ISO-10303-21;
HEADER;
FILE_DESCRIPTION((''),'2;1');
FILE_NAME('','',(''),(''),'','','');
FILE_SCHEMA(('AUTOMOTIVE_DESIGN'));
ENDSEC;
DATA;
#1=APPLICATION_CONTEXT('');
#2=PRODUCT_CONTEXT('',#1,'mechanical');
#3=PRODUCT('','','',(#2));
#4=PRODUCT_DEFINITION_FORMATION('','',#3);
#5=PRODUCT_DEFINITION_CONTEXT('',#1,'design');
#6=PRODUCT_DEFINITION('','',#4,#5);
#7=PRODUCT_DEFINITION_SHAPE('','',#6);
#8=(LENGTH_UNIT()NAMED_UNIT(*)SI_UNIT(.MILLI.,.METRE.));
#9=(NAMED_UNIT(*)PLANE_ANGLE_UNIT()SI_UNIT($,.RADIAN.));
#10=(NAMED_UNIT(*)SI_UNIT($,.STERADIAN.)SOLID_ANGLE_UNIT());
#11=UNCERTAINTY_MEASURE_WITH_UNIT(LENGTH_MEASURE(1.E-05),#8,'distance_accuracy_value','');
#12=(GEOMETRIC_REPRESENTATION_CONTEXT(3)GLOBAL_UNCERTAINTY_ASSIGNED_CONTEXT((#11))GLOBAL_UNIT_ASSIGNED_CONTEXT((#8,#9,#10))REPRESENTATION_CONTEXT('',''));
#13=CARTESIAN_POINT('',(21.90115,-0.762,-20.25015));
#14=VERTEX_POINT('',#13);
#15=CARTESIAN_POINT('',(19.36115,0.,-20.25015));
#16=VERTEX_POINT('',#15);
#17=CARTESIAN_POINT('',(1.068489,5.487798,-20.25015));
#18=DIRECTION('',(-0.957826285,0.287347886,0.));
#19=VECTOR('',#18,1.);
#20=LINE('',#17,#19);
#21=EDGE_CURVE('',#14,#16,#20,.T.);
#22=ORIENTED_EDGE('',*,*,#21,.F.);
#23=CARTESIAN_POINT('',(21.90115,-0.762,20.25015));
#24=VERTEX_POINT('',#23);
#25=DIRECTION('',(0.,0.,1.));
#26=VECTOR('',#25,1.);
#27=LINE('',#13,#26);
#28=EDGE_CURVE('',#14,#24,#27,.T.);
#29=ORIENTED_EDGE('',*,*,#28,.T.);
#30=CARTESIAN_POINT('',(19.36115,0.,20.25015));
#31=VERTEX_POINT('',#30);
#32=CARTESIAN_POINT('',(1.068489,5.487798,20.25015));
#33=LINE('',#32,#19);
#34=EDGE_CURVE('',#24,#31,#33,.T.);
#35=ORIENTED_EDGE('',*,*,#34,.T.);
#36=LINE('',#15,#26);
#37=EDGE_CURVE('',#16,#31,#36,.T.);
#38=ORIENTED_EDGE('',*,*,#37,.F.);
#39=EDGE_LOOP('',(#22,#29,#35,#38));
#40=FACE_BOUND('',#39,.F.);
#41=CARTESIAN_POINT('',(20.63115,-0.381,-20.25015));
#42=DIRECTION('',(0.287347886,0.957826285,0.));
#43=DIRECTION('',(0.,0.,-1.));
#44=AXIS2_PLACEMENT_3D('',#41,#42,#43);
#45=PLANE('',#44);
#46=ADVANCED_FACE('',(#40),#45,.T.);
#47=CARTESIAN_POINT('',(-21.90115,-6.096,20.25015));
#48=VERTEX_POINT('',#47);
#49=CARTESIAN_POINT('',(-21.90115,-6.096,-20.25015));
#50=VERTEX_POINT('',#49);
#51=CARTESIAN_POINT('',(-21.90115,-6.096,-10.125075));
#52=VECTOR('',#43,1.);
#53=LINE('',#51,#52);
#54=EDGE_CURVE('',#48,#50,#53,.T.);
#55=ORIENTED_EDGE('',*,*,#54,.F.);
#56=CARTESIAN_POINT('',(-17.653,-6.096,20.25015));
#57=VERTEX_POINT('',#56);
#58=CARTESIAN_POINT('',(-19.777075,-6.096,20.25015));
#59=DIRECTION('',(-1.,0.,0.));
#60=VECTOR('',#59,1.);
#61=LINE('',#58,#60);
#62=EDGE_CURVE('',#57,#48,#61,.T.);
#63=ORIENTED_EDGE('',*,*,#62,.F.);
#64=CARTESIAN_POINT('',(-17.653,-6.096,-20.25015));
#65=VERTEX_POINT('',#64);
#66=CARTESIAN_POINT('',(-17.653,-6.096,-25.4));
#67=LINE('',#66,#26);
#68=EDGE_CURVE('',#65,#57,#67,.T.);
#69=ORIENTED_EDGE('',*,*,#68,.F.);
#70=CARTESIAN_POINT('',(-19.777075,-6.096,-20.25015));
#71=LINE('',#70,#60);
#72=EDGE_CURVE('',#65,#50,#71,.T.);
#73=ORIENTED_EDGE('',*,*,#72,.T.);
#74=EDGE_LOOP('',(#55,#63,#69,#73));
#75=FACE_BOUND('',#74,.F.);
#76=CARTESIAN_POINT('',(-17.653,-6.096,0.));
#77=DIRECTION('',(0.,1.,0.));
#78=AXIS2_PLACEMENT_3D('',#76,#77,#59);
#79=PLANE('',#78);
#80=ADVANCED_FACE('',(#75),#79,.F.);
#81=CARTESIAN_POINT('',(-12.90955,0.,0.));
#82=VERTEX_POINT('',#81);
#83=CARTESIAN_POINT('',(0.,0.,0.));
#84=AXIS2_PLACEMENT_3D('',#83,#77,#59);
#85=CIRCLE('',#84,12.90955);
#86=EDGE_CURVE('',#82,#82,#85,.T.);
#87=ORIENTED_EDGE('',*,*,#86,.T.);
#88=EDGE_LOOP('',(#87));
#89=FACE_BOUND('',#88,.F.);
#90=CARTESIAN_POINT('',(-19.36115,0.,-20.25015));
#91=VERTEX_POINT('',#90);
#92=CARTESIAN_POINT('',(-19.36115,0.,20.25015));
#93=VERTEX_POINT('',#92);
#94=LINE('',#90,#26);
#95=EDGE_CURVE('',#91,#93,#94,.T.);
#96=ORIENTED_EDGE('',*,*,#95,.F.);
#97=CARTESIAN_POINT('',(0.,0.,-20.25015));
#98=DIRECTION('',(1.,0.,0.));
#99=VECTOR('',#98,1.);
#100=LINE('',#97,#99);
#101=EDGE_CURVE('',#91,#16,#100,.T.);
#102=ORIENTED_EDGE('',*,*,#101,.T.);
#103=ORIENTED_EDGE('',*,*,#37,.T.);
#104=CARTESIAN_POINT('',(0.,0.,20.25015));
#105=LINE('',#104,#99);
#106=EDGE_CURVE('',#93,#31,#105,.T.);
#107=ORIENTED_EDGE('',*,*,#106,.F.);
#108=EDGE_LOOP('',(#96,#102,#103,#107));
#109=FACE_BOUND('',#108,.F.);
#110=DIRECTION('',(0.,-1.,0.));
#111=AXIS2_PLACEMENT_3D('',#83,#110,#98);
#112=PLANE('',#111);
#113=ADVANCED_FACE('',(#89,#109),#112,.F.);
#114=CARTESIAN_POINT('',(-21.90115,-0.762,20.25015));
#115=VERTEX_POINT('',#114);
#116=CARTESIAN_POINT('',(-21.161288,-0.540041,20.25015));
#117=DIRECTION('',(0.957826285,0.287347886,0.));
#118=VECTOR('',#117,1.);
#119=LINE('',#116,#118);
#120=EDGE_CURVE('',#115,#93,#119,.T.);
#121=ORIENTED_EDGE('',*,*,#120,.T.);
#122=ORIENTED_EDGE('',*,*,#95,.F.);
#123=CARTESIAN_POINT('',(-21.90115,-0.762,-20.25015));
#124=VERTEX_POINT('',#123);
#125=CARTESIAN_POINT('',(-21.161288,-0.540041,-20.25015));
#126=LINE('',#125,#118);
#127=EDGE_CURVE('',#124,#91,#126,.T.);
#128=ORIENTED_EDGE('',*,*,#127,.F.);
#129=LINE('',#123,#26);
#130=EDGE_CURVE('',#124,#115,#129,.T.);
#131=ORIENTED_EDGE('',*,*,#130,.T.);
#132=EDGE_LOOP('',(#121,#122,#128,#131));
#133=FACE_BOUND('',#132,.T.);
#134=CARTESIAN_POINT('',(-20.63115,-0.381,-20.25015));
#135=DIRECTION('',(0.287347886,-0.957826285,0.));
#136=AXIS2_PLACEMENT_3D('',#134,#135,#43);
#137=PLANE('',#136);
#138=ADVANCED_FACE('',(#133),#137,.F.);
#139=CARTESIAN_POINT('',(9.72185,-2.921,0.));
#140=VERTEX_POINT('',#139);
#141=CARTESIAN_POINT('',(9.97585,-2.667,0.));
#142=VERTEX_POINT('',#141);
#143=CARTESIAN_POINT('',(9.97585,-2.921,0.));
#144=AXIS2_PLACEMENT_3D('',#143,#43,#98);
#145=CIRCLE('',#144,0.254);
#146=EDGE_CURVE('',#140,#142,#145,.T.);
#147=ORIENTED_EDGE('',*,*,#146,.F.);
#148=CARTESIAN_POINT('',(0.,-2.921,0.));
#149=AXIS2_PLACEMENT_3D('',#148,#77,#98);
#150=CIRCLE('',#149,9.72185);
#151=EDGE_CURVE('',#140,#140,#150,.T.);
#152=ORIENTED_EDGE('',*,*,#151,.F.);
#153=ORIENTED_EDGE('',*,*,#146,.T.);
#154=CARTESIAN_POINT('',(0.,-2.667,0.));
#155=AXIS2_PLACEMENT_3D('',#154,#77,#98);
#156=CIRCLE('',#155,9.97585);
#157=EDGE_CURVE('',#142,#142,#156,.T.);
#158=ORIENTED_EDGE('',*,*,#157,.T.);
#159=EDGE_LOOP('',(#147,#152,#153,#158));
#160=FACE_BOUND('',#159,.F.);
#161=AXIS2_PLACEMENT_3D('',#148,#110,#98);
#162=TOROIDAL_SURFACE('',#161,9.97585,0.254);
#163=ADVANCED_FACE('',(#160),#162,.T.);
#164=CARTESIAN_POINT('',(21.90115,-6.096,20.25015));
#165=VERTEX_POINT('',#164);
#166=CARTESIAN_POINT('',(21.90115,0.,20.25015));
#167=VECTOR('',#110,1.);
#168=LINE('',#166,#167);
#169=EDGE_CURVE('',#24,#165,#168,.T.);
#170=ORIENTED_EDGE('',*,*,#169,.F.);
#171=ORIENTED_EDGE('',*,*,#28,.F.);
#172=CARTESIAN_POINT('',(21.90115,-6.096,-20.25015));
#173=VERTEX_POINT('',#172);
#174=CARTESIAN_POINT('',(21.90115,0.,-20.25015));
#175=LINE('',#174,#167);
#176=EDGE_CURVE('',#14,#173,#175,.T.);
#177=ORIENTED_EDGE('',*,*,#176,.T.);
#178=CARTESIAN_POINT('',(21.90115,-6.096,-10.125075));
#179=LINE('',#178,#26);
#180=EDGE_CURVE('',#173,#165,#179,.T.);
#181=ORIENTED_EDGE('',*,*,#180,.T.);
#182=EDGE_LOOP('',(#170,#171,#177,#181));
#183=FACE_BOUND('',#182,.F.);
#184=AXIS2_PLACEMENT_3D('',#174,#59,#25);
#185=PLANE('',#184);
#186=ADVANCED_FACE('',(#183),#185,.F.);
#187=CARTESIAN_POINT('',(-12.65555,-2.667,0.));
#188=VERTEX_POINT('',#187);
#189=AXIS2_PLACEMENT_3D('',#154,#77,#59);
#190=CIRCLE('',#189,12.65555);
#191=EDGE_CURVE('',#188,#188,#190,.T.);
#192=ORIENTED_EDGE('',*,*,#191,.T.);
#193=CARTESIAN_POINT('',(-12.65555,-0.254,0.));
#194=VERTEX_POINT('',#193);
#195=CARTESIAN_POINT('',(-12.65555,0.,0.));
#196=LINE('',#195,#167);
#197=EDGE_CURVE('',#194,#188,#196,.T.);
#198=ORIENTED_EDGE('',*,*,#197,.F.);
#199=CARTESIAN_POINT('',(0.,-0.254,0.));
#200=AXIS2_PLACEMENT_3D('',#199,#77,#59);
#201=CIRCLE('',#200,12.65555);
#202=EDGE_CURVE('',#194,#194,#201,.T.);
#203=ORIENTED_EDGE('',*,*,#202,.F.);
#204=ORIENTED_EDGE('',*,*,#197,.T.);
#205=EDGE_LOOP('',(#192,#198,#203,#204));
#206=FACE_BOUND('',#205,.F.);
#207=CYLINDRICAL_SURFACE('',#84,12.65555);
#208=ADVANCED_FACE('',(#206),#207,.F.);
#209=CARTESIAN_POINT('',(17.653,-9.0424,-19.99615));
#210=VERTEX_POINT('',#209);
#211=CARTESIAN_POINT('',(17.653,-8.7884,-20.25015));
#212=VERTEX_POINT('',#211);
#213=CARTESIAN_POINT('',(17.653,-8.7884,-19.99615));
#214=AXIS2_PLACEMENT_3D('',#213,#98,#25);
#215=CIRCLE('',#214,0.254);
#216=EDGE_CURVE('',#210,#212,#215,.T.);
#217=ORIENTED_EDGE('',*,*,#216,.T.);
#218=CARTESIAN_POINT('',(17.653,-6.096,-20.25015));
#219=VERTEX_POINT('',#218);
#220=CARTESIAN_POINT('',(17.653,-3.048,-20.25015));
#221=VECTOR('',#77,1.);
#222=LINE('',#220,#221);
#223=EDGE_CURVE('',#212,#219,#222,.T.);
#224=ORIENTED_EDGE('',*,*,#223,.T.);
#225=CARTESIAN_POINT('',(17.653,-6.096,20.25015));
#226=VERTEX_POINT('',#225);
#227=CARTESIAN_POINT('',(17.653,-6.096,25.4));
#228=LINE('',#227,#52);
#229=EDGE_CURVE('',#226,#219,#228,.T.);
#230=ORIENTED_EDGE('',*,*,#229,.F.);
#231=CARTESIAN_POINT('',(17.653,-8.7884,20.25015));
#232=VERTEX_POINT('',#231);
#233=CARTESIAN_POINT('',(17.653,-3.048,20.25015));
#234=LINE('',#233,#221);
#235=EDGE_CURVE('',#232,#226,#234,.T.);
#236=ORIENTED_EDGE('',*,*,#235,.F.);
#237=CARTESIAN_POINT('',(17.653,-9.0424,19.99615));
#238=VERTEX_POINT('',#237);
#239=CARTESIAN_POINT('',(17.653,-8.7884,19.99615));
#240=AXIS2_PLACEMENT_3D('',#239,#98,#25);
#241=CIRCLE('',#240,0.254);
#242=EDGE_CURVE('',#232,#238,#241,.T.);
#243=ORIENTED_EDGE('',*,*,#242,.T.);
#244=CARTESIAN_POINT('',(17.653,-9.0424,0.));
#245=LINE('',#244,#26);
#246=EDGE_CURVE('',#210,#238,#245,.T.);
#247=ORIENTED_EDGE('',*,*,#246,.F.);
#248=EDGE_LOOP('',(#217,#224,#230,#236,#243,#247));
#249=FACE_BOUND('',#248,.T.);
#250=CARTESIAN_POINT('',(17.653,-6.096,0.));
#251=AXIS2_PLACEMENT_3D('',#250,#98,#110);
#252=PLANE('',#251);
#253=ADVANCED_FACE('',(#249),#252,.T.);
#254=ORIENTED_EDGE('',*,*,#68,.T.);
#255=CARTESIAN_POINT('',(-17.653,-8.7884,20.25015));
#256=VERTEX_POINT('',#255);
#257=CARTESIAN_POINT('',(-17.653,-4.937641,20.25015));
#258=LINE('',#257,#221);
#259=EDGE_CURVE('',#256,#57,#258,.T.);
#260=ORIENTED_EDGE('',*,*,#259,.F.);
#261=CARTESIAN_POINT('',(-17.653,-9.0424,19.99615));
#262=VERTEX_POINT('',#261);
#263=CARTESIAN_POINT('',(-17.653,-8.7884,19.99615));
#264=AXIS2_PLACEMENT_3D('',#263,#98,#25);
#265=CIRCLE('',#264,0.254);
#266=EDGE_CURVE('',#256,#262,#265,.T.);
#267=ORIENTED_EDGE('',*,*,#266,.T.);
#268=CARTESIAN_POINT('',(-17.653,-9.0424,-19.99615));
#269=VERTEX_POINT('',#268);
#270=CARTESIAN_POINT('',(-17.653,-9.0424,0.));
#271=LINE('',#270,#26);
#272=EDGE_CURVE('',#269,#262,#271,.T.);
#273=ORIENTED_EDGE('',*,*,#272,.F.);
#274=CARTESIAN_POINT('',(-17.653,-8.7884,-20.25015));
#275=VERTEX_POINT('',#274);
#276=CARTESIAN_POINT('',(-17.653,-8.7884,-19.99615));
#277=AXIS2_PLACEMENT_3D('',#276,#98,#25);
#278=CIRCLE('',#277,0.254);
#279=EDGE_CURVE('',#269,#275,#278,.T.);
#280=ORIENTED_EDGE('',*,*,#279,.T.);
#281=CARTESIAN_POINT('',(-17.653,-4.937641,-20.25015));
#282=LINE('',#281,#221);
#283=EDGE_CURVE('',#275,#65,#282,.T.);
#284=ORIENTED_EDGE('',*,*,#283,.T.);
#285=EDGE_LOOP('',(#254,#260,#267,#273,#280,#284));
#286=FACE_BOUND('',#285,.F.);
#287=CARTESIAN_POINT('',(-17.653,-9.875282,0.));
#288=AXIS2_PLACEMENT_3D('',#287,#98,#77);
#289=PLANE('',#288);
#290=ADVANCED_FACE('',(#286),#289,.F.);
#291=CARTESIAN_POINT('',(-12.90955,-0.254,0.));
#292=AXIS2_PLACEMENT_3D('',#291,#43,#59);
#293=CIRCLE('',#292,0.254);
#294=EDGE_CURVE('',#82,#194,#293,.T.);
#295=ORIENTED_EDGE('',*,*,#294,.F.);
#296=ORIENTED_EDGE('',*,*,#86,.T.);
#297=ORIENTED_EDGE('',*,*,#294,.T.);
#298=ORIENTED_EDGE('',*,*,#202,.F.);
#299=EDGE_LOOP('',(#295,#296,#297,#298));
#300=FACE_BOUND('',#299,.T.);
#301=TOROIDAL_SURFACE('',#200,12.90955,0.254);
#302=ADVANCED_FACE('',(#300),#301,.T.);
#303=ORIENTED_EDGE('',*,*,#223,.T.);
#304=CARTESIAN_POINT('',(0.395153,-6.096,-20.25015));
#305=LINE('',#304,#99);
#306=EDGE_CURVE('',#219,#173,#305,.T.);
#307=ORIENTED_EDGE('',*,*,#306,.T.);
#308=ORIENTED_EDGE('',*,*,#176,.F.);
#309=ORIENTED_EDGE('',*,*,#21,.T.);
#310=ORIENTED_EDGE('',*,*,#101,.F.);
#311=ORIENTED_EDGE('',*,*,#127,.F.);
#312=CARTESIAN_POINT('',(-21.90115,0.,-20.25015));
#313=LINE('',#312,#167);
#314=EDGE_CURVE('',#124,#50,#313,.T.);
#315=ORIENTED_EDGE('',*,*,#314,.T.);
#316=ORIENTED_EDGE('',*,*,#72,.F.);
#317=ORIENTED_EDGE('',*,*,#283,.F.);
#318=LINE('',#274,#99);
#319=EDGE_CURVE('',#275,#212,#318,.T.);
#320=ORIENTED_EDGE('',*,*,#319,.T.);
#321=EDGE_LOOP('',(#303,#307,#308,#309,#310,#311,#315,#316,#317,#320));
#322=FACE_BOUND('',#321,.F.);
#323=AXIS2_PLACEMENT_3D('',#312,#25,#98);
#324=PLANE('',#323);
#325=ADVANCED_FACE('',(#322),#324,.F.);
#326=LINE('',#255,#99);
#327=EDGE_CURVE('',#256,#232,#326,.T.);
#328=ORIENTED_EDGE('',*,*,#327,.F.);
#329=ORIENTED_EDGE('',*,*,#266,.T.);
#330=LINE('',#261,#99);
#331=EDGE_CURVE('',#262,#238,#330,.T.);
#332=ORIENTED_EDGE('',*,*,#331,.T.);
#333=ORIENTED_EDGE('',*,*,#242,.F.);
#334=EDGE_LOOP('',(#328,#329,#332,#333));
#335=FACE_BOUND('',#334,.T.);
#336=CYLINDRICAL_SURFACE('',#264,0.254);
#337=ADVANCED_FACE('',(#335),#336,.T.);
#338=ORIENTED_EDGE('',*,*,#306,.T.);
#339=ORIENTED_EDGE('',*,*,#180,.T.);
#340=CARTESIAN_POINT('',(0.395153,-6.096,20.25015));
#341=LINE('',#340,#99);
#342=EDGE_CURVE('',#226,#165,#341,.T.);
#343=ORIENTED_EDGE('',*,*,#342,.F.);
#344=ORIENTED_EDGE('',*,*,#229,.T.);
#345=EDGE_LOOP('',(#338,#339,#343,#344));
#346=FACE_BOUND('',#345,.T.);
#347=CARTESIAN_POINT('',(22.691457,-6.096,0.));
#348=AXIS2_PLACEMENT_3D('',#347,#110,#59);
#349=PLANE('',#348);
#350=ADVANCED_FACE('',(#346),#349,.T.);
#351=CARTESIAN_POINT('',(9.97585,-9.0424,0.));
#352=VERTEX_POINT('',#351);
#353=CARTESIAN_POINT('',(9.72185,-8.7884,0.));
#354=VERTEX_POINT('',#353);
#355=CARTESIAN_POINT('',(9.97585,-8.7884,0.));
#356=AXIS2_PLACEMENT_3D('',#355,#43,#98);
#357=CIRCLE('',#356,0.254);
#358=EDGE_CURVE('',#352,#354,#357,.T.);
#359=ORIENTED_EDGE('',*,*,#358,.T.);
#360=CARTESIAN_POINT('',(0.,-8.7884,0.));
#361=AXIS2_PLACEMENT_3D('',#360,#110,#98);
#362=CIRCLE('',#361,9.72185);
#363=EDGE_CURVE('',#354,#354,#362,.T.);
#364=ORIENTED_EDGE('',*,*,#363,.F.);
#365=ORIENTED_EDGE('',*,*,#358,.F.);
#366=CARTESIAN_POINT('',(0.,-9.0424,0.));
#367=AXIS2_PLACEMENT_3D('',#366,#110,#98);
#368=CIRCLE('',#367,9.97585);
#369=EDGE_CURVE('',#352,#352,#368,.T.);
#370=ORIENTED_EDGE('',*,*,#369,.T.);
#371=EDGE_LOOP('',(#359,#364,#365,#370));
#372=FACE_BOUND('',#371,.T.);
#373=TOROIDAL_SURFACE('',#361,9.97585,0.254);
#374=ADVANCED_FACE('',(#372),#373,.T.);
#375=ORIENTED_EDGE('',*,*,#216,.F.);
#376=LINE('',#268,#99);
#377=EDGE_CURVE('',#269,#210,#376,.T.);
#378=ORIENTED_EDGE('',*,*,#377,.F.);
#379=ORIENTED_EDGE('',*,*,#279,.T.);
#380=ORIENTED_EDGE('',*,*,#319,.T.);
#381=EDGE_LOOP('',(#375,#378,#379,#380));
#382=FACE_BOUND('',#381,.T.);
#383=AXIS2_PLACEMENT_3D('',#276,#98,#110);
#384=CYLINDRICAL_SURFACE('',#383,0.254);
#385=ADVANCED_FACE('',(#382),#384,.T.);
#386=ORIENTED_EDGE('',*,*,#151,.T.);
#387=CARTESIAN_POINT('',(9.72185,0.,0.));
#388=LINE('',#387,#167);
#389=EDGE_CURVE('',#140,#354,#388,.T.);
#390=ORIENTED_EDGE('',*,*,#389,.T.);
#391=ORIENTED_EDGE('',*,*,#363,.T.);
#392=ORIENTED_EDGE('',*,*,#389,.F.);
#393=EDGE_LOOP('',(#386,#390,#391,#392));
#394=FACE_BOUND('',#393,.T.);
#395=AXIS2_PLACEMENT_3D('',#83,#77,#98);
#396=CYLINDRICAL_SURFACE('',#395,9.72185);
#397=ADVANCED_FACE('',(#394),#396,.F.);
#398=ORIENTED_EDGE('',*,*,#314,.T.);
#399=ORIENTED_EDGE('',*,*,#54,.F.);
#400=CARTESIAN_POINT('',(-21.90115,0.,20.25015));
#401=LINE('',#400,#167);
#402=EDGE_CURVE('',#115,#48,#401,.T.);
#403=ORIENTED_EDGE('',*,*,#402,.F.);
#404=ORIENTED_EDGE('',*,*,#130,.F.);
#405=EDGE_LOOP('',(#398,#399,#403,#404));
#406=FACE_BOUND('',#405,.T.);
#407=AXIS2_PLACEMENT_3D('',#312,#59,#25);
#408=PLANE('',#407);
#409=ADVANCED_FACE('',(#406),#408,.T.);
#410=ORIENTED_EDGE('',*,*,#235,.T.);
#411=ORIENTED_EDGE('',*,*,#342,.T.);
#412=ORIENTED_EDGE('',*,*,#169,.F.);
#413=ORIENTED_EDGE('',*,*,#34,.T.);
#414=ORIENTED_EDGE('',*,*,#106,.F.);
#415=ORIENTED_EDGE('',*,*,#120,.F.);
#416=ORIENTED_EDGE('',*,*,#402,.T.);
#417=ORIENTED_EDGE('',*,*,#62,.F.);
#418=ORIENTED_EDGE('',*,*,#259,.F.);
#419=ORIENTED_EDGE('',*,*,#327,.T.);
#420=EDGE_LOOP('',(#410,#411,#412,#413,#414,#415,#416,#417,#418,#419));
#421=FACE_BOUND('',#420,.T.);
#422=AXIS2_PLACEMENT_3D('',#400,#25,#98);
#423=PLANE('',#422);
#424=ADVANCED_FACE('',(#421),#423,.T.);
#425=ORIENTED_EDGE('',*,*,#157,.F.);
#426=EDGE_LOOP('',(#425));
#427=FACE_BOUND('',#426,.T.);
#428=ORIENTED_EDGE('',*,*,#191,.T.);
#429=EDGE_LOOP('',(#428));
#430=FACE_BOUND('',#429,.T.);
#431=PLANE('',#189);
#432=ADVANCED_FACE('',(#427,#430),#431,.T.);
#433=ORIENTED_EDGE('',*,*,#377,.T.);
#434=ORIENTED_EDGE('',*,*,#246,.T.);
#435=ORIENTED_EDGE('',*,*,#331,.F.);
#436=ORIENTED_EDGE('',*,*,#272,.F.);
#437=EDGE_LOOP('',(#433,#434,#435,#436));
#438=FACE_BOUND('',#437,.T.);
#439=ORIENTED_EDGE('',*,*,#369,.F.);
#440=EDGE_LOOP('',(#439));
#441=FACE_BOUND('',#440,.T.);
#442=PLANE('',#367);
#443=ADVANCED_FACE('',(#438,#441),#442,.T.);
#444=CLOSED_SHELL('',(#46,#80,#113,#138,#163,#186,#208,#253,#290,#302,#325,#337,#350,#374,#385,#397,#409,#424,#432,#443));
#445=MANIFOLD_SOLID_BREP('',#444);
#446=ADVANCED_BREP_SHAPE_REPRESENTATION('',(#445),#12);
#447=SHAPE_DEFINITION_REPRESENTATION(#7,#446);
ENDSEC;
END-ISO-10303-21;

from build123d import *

# Parameters (mm, degrees)
F0_W       = 43.8023
F0_H       = 40.5003
F0_R       = 9.72185
F1_DEPTH   = 9.0424
F3_DEPTH   = 25.4
F4_SIZE2   = 2.54
F4_SIZE    = 0.762
F4_2_SIZE2 = 2.54
F4_2_SIZE  = 0.762
F5_R       = 12.65555
F6_DEPTH   = 2.667
F7_R       = 0.254


with BuildPart() as f1:
    # F0 (on Front) → F1 (new body)
    with BuildSketch(Plane.XZ):
        Rectangle(F0_W, F0_H)
        Circle(F0_R, mode=Mode.SUBTRACT)
    extrude(amount=F1_DEPTH)

    # F2 (on Top) → F3 (cut, symmetric)
    with BuildSketch(Plane.XY):
        Polygon((17.653, -6.096), (17.653, -9.144), (17.653, -9.8752817139), (22.691456601, -9.8752817139), (22.691456601, -6.096), align=None)
        Polygon((-17.653, -9.8752817139), (-17.653, -9.144), (-17.653, -6.096), (-22.691456601, -6.096), (-22.691456601, -9.8752817139), align=None)
    extrude(amount=F3_DEPTH, both=True, mode=Mode.SUBTRACT)

    # F4
    f4_edges = [f1.edges().sort_by_distance(p)[0] for p in [
        (-21.90115, 0, 0),
    ]]
    f4_side = f1.faces().sort_by_distance((-21.90115, -3.048, 0))[0]
    chamfer(f4_edges, length=F4_SIZE, length2=F4_SIZE2, reference=f4_side)

    # F4#2
    f4_2_edges = [f1.edges().sort_by_distance(p)[0] for p in [
        (21.90115, 0, 0),
    ]]
    f4_2_side = f1.faces().sort_by_distance((21.90115, -3.048, 0))[0]
    chamfer(f4_2_edges, length=F4_2_SIZE, length2=F4_2_SIZE2, reference=f4_2_side)

    # F5 (on face) → F6 (cut)
    with BuildSketch(Plane(origin=(0, 0, 0), x_dir=(-1, 0, 0), z_dir=(0, 1, 0))):
        Circle(F5_R)
    extrude(amount=-F6_DEPTH, mode=Mode.SUBTRACT)

    # F7
    f7_edges = [f1.edges().sort_by_distance(p)[0] for p in [
        (12.65555, 0, 0),
        (-9.72185, -2.667, 0),
        (0, -9.0424, -20.25015),
        (0, -9.0424, 20.25015),
        (-9.72185, -9.0424, 0),
    ]]
    fillet(f7_edges, radius=F7_R)


solid = f1.part
